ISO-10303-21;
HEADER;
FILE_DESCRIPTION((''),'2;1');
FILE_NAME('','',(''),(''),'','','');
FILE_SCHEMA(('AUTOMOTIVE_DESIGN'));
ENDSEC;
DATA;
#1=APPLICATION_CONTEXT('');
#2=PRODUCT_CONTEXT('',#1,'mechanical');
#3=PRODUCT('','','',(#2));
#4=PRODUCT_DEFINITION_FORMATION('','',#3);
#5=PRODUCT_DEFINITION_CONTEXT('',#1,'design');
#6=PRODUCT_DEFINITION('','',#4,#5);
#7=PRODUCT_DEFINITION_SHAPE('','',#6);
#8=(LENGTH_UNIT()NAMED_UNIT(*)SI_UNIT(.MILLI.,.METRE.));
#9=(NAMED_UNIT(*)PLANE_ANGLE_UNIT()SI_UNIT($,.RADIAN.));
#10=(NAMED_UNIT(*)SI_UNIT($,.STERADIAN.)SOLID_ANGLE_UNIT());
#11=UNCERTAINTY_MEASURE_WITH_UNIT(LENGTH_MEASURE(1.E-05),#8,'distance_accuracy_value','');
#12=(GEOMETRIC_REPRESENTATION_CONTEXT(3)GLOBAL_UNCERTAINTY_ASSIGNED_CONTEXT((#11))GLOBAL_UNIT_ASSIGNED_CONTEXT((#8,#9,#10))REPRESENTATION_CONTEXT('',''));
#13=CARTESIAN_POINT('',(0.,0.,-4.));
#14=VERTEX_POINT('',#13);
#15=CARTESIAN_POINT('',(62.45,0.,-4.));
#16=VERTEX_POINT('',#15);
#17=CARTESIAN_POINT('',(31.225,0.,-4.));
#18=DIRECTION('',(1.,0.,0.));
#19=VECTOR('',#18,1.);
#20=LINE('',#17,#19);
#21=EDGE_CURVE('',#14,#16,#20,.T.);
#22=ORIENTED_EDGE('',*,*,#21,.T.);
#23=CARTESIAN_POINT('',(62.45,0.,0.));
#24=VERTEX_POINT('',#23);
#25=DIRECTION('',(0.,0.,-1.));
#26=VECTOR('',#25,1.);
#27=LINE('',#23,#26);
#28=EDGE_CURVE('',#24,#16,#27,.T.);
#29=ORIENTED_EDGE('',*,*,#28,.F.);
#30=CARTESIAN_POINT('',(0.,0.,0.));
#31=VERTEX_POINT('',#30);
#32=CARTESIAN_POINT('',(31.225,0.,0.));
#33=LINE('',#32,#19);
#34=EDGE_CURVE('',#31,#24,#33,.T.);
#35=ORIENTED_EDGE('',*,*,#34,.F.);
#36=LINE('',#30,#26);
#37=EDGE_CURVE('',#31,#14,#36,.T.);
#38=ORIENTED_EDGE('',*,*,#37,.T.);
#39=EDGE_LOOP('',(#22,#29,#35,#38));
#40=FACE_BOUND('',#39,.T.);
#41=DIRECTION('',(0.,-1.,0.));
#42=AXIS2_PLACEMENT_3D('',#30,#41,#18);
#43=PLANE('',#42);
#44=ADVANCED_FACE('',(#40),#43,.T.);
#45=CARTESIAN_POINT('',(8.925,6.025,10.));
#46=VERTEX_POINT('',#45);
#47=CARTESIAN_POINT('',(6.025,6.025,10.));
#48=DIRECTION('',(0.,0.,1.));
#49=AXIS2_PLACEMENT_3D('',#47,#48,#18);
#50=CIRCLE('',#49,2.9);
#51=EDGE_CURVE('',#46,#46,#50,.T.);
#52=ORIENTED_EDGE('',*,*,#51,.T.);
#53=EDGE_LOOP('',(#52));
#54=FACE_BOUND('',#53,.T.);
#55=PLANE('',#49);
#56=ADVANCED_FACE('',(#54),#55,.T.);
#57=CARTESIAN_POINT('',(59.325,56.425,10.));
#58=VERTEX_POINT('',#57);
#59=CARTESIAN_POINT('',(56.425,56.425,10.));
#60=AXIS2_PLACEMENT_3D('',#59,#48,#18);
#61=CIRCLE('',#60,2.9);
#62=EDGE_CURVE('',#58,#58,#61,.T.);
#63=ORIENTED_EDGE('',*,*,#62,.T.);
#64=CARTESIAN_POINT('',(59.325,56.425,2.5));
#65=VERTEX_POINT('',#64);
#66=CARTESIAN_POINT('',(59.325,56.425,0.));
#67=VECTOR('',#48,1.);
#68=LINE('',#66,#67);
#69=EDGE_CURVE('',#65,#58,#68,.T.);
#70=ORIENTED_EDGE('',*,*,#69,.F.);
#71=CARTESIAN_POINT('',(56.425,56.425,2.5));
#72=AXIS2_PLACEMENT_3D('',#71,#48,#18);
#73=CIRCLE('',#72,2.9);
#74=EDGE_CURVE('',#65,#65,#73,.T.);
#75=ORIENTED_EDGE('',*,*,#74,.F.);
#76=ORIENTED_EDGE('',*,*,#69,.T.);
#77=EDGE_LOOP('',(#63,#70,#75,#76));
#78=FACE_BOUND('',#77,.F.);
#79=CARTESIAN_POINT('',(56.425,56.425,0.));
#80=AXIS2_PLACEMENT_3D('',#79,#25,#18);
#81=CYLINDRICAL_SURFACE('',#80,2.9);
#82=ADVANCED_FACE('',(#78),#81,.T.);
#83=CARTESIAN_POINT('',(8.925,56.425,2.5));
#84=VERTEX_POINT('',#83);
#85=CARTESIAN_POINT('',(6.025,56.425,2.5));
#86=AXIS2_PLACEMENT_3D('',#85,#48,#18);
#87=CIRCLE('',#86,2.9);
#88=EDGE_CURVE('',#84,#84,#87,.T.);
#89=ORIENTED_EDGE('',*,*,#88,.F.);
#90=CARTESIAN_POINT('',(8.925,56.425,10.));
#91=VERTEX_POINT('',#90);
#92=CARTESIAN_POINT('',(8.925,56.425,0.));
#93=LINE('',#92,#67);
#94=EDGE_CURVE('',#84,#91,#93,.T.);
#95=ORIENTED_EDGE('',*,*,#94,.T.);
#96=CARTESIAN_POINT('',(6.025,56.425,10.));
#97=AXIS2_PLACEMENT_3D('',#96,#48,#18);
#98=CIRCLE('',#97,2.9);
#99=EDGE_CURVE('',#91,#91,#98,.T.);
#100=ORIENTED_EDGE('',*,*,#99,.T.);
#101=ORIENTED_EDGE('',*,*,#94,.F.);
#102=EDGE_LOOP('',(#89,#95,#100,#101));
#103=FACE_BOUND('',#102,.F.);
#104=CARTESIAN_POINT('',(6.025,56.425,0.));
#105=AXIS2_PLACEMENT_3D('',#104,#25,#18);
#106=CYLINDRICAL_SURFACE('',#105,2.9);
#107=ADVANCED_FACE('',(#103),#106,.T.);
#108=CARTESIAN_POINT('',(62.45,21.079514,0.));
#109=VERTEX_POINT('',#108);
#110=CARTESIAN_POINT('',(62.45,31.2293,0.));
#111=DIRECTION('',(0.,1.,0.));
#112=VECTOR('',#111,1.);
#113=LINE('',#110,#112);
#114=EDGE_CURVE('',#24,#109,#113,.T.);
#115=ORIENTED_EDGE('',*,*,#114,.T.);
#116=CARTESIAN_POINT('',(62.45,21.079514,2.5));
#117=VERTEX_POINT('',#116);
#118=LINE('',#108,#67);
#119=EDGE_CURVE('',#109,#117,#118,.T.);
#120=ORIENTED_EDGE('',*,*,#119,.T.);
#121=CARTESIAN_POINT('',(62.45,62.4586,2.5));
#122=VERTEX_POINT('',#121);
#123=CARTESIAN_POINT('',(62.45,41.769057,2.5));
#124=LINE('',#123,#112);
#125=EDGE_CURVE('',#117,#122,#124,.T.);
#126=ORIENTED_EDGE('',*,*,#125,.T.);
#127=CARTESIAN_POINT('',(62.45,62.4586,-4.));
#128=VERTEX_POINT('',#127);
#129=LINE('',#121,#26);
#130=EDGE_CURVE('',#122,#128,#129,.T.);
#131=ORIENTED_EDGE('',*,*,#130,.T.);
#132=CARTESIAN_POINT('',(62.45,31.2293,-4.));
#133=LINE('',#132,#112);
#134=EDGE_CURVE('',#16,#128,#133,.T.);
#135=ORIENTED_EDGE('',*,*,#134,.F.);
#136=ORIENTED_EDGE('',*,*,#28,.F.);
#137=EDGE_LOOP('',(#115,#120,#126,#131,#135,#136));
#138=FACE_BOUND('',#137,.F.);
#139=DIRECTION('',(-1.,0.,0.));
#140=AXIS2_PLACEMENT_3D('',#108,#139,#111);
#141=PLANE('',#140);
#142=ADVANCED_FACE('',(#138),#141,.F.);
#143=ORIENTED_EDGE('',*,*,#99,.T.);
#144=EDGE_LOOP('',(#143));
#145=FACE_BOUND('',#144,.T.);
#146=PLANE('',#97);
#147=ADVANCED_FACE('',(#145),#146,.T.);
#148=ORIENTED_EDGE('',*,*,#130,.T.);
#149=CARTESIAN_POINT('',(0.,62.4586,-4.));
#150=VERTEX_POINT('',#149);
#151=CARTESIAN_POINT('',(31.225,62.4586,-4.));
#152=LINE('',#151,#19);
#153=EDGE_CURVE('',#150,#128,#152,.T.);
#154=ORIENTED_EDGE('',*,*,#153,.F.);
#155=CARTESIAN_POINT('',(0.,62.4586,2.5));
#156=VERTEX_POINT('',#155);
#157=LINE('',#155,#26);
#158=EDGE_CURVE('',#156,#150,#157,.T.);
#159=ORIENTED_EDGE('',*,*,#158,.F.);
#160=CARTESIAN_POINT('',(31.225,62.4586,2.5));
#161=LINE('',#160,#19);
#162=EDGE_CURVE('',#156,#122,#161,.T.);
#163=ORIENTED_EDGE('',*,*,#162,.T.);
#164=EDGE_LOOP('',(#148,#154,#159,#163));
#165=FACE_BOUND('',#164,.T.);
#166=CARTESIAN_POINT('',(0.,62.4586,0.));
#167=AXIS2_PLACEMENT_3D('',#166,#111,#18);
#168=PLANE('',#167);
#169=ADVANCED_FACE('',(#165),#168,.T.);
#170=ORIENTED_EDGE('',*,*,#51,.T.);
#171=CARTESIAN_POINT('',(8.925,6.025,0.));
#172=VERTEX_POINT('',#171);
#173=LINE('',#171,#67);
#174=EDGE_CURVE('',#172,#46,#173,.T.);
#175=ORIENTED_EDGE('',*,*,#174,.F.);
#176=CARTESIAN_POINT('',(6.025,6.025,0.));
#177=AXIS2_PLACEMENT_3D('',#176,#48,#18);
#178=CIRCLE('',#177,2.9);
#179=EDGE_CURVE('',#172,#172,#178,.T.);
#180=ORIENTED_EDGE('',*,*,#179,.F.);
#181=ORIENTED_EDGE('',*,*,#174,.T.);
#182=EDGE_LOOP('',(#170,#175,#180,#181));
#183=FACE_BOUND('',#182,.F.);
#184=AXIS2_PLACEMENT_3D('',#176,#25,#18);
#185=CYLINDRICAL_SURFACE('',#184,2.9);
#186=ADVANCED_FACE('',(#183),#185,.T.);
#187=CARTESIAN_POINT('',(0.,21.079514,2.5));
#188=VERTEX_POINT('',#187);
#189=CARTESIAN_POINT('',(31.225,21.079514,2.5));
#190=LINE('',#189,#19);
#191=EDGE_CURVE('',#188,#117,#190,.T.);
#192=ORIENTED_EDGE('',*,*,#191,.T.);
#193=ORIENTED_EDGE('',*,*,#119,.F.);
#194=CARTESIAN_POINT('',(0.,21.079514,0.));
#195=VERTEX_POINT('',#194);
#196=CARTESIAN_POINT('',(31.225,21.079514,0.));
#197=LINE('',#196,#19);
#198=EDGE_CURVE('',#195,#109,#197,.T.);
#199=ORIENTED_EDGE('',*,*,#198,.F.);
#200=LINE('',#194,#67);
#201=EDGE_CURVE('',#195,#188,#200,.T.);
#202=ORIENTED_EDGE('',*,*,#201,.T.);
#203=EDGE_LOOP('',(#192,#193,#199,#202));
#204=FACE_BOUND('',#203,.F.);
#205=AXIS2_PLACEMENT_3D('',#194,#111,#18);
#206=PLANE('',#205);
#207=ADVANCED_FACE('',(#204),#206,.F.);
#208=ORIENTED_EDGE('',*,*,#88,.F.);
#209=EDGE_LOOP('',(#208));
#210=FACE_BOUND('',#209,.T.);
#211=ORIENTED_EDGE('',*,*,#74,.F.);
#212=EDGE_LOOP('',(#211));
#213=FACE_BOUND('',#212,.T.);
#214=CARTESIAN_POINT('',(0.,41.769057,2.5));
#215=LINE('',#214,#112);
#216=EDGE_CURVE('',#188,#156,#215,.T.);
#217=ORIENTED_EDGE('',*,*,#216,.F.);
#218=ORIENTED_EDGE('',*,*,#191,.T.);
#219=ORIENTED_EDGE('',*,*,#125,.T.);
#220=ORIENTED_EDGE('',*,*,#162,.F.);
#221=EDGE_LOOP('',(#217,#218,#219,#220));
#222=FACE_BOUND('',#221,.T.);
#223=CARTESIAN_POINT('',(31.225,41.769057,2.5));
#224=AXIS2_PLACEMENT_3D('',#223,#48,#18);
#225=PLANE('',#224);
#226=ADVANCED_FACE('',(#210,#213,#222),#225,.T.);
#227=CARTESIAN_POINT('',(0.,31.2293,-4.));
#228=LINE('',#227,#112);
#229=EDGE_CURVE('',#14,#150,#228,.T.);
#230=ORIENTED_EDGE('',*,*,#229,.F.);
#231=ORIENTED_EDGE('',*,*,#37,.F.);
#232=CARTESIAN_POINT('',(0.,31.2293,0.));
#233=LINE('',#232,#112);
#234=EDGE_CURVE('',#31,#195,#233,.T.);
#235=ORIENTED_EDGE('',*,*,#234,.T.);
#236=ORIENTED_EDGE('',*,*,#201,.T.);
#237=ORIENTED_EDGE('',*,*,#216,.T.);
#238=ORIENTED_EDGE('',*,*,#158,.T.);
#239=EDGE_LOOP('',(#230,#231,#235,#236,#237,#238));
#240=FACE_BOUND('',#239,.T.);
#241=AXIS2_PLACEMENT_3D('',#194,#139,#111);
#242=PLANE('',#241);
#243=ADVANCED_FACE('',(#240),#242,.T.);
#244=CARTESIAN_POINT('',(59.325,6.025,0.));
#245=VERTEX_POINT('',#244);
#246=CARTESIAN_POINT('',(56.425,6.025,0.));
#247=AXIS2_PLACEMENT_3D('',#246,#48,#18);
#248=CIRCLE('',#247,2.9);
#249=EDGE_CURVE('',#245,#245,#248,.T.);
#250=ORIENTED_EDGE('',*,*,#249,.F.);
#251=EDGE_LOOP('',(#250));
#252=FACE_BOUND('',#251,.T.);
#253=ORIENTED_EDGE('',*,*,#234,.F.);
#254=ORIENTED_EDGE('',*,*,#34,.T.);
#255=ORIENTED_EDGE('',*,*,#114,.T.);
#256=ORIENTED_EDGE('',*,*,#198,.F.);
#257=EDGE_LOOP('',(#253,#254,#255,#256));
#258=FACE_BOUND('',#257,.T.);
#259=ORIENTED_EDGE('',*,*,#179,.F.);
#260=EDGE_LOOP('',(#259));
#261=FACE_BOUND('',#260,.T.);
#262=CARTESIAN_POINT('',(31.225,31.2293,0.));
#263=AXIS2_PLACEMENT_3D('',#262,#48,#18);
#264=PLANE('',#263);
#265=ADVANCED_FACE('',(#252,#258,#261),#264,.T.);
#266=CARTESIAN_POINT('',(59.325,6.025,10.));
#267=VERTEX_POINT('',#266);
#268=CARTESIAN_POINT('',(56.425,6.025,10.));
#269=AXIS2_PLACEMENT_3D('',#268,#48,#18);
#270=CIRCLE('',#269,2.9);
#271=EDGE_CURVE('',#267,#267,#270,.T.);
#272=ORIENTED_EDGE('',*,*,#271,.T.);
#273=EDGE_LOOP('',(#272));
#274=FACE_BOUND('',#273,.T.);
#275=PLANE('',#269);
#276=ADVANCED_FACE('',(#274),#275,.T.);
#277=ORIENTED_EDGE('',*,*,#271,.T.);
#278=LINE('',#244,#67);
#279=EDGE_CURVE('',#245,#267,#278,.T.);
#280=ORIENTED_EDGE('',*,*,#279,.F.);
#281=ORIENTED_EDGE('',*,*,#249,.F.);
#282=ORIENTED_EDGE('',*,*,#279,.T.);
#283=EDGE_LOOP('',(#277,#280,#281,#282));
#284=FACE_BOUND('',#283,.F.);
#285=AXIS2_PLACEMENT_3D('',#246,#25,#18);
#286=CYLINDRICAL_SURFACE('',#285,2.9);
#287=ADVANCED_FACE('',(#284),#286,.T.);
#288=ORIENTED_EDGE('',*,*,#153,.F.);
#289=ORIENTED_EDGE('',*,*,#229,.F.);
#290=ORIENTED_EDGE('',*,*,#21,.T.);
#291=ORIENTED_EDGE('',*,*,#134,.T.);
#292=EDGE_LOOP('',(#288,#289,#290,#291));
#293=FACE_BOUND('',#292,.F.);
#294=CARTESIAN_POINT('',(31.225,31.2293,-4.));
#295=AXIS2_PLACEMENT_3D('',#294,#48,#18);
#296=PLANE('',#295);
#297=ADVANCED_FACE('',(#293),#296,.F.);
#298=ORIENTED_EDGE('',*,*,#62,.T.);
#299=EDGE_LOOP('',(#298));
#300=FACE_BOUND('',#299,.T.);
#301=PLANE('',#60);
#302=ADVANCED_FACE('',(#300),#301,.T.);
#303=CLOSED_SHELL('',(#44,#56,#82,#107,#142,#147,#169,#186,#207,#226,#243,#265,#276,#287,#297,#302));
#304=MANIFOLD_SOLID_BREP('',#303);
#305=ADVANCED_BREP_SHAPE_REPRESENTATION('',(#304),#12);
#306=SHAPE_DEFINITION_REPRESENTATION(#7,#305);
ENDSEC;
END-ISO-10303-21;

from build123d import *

# Parameters (mm, degrees)
F0_W     = 62.45
F0_H     = 62.4586
F1_DEPTH = 4
F2_R     = 2.9
F4_DEPTH = 10
F3_R     = 2.9
F5_DEPTH = 10
F6_W     = 62.45
F6_H     = 41.379086
F6_R     = 2.9
F7_DEPTH = 2.5


with BuildPart() as f1:
    # F0 (on Top) → F1 (new body)
    with BuildSketch(Plane.XY):
        with Locations((31.225, 31.2293)):
            Rectangle(F0_W, F0_H)
    extrude(amount=-F1_DEPTH)

    # F2 (on face) → F4 (join)
    with BuildSketch(Plane.XY):
        with Locations((6.025, 6.025)):
            Circle(F2_R)
        with Locations((56.425, 6.025)):
            Circle(F2_R)
    extrude(amount=F4_DEPTH)

    # F3 (on face) → F5 (join)
    with BuildSketch(Plane.XY):
        with Locations((56.425, 56.425)):
            Circle(F3_R)
        with Locations((6.025, 56.425)):
            Circle(F3_R)
    extrude(amount=F5_DEPTH)

    # F6 (on face) → F7 (join)
    with BuildSketch(Plane.XY):
        with Locations((31.225, 41.769057)):
            Rectangle(F6_W, F6_H)
        with Locations((6.025, 56.425)):
            Circle(F6_R, mode=Mode.SUBTRACT)
        with Locations((56.425, 56.425)):
            Circle(F6_R, mode=Mode.SUBTRACT)
    extrude(amount=F7_DEPTH)


solid = f1.part
